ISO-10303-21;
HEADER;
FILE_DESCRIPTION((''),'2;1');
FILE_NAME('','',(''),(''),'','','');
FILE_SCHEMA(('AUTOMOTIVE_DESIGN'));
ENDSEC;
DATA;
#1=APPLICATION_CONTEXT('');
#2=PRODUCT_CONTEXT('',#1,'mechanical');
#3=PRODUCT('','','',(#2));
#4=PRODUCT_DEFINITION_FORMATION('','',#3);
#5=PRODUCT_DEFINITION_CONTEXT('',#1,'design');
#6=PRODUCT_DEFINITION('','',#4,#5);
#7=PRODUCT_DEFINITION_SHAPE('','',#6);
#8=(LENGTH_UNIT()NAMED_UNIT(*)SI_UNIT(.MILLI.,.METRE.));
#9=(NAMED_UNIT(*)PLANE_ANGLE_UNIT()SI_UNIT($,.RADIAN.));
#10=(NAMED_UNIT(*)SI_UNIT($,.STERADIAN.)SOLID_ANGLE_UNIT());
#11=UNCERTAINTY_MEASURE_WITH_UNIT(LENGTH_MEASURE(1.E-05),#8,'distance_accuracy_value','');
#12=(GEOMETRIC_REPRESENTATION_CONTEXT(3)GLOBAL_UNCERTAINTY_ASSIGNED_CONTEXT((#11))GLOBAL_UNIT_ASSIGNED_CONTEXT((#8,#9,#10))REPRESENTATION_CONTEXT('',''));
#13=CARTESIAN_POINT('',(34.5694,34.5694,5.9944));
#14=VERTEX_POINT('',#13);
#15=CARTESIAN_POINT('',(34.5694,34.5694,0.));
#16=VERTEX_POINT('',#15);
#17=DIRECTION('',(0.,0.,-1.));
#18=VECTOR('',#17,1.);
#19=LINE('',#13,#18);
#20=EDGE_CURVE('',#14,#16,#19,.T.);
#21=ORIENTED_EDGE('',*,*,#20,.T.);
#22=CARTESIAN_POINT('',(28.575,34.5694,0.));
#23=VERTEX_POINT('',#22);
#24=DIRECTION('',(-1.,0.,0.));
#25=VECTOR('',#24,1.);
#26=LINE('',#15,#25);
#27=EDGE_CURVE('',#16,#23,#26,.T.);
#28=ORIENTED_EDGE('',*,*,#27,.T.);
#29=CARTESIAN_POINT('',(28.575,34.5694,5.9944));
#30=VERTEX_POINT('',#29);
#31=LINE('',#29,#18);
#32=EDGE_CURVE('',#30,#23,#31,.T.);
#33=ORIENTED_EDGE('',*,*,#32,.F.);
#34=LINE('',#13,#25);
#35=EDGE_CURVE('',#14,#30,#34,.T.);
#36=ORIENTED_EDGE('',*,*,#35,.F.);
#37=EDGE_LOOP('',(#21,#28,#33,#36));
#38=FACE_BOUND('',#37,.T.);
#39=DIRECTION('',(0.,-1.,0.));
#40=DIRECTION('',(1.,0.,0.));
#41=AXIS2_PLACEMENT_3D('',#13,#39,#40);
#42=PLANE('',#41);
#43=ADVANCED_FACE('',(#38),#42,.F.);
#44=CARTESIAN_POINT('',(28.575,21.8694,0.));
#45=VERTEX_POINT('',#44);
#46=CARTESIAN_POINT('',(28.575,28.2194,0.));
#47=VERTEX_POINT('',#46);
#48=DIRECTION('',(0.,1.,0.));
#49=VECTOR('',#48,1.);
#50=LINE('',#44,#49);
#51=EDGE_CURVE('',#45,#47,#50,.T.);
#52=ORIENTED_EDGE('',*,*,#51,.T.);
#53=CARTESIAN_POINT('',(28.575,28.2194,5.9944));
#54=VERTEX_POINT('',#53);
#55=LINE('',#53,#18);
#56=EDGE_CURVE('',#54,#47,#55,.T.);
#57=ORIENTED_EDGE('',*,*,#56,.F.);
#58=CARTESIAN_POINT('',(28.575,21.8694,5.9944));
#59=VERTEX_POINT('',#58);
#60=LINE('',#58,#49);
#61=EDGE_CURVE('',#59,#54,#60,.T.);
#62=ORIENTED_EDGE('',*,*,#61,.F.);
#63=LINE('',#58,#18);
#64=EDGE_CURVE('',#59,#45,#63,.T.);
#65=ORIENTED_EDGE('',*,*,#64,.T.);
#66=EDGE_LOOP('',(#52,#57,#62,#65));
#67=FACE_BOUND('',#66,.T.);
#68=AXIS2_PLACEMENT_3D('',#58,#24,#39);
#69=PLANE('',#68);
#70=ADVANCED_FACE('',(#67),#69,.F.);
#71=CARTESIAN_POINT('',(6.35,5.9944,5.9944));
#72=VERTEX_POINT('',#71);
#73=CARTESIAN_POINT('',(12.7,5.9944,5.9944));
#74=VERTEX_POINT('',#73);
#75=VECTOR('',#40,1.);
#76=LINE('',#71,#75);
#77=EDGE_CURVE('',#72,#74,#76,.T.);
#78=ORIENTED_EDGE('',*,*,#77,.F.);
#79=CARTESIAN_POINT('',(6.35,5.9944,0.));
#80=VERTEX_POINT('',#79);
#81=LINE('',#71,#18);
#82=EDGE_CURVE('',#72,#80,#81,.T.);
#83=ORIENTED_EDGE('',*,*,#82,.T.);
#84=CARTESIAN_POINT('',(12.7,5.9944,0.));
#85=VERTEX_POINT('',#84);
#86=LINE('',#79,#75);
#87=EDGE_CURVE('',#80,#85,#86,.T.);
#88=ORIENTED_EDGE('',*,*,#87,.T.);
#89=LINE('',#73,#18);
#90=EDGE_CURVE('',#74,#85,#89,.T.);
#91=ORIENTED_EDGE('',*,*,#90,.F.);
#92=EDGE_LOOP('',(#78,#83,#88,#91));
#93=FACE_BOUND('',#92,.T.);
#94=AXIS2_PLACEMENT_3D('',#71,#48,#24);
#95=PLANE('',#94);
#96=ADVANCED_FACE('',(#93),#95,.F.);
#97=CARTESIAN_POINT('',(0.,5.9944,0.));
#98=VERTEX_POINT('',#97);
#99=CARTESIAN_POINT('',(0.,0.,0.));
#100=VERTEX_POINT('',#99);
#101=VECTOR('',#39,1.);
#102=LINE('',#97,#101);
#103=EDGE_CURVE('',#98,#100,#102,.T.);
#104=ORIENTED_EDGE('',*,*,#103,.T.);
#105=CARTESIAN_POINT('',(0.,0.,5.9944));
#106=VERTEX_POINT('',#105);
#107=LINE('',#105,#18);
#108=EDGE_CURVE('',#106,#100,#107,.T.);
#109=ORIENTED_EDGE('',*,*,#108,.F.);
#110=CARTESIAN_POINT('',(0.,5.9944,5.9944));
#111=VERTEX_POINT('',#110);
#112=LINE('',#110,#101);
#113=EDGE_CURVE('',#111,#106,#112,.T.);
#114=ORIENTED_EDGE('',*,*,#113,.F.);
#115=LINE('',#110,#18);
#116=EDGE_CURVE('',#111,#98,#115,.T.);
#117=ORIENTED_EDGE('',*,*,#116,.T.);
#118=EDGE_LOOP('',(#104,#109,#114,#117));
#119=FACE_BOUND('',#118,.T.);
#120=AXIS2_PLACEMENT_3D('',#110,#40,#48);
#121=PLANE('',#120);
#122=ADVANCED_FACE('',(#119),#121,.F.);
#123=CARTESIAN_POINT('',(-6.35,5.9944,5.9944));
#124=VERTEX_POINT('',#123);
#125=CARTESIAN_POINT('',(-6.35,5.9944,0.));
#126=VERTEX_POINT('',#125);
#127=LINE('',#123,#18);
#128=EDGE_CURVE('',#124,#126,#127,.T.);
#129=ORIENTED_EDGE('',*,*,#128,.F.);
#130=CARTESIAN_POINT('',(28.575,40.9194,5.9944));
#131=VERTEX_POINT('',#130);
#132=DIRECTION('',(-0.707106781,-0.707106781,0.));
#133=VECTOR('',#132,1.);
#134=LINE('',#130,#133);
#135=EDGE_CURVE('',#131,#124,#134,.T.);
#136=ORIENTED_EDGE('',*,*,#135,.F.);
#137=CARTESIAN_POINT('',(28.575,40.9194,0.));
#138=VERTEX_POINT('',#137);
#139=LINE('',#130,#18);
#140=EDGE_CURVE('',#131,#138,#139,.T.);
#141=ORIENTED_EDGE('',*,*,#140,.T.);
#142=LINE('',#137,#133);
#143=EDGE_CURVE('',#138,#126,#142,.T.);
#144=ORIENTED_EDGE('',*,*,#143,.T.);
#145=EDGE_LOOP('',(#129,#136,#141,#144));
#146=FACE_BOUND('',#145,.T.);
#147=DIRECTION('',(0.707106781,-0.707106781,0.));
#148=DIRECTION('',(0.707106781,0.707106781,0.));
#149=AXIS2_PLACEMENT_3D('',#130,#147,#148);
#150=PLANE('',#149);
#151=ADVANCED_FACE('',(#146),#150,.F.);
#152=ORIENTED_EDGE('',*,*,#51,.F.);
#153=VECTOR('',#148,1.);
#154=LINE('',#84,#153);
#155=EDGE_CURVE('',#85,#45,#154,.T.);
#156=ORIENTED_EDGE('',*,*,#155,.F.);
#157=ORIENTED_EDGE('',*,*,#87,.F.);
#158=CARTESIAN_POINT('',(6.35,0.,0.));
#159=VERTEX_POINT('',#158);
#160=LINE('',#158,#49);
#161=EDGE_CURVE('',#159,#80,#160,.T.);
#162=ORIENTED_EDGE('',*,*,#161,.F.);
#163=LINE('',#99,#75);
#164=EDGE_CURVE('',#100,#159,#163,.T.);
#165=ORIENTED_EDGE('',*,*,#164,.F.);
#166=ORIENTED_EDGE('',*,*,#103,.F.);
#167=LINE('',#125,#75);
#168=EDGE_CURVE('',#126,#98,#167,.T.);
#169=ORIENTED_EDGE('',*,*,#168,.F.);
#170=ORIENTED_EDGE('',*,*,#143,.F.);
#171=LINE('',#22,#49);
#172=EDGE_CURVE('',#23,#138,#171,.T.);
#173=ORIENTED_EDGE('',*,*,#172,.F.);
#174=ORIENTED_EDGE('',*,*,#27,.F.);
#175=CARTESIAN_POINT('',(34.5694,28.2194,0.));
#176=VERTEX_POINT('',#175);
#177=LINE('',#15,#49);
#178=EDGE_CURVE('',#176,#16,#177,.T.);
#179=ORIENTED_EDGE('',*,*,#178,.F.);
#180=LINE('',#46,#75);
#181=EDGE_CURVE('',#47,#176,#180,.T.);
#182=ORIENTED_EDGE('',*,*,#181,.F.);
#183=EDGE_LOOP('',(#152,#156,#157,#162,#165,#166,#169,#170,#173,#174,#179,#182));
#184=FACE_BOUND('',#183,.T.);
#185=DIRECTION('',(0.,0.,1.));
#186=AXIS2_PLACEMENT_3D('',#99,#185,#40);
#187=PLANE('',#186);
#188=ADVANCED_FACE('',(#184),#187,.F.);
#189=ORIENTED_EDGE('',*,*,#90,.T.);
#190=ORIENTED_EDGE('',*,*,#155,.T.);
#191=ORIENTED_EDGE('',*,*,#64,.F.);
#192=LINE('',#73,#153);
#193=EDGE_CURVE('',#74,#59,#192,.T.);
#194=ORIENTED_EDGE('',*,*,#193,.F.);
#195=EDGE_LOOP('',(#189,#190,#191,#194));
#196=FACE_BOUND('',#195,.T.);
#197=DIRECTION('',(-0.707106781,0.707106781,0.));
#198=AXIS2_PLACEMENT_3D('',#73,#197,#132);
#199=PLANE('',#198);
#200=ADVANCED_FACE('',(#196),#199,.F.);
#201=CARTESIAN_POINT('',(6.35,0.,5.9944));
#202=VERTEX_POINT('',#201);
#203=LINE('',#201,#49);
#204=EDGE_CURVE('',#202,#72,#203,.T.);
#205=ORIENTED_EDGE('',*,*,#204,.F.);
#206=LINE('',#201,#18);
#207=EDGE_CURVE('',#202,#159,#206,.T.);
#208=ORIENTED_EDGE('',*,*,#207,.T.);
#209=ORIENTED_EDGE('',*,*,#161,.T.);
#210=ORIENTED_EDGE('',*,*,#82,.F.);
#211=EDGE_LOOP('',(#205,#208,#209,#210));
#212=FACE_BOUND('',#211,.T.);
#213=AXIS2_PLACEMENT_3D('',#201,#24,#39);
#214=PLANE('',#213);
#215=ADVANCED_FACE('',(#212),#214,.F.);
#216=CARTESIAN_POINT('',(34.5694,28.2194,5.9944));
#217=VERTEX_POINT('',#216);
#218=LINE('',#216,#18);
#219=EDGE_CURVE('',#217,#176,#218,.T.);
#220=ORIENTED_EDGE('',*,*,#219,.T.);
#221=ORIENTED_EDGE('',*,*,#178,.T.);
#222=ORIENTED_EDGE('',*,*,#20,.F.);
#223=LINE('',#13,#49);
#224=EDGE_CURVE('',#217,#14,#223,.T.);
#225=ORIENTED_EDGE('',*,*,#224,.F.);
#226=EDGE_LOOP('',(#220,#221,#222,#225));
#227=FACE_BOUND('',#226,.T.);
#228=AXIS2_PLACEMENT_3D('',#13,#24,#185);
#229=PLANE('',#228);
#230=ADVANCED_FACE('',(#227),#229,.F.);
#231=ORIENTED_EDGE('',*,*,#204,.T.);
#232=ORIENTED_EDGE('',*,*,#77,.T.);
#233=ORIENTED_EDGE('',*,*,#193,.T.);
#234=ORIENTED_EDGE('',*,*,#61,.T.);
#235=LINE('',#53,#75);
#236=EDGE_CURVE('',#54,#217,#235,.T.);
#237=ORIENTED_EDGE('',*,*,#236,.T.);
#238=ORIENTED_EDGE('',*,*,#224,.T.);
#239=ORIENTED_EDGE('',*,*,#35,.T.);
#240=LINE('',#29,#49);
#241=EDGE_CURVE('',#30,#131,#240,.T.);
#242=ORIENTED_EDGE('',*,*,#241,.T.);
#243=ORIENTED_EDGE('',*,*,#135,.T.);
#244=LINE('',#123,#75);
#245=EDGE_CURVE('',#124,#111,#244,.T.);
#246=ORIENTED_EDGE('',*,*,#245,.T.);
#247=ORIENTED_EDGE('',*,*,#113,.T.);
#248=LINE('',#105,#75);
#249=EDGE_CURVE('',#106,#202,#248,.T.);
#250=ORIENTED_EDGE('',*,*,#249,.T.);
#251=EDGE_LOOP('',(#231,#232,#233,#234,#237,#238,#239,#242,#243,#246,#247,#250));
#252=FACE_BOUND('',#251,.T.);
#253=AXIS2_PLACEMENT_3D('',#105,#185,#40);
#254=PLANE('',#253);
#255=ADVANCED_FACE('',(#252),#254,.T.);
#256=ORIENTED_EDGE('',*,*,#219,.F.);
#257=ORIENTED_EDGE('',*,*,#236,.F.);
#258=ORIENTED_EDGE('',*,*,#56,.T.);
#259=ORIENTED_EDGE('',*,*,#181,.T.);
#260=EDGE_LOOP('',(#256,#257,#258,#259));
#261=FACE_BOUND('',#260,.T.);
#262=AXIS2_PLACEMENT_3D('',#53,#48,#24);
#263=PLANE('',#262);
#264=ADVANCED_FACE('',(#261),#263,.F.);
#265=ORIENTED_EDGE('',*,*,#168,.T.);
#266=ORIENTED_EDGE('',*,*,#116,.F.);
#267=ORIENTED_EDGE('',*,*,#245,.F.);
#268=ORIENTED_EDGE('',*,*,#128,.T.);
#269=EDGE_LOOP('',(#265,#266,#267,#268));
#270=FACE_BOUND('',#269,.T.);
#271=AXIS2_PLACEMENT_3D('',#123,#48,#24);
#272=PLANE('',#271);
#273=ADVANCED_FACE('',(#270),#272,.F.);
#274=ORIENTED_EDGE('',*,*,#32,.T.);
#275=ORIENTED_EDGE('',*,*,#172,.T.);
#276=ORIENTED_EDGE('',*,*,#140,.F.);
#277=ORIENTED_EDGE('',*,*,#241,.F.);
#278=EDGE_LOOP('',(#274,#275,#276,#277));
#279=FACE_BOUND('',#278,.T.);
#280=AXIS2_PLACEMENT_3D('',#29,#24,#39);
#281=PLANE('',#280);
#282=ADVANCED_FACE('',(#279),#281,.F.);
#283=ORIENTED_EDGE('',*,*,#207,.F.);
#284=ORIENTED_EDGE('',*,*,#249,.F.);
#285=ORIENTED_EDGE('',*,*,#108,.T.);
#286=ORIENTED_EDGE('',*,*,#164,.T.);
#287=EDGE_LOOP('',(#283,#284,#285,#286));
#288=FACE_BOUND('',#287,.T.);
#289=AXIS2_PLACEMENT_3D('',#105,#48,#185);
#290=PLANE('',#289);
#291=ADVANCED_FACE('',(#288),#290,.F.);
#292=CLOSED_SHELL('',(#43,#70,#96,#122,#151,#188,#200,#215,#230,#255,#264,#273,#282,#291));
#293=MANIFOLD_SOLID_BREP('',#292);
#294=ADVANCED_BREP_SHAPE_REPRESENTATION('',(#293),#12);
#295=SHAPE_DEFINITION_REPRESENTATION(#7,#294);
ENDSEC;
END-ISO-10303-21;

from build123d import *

# Parameters (mm, degrees)
BOSS_EXTRUDE1_DEPTH = 5.9944


with BuildPart() as part:
    # Sketch1 → Boss-Extrude1 (new body)
    with BuildSketch(Plane.XY):
        Polygon((-6.35, 5.9944), (0, 5.9944), (0, 0), (6.35, 0), (6.35, 5.9944), (12.7, 5.9944), (28.575, 21.8694), (28.575, 28.2194), (34.5694, 28.2194), (34.5694, 34.5694), (28.575, 34.5694), (28.575, 40.9194), align=None)
    extrude(amount=BOSS_EXTRUDE1_DEPTH)


solid = part.part
